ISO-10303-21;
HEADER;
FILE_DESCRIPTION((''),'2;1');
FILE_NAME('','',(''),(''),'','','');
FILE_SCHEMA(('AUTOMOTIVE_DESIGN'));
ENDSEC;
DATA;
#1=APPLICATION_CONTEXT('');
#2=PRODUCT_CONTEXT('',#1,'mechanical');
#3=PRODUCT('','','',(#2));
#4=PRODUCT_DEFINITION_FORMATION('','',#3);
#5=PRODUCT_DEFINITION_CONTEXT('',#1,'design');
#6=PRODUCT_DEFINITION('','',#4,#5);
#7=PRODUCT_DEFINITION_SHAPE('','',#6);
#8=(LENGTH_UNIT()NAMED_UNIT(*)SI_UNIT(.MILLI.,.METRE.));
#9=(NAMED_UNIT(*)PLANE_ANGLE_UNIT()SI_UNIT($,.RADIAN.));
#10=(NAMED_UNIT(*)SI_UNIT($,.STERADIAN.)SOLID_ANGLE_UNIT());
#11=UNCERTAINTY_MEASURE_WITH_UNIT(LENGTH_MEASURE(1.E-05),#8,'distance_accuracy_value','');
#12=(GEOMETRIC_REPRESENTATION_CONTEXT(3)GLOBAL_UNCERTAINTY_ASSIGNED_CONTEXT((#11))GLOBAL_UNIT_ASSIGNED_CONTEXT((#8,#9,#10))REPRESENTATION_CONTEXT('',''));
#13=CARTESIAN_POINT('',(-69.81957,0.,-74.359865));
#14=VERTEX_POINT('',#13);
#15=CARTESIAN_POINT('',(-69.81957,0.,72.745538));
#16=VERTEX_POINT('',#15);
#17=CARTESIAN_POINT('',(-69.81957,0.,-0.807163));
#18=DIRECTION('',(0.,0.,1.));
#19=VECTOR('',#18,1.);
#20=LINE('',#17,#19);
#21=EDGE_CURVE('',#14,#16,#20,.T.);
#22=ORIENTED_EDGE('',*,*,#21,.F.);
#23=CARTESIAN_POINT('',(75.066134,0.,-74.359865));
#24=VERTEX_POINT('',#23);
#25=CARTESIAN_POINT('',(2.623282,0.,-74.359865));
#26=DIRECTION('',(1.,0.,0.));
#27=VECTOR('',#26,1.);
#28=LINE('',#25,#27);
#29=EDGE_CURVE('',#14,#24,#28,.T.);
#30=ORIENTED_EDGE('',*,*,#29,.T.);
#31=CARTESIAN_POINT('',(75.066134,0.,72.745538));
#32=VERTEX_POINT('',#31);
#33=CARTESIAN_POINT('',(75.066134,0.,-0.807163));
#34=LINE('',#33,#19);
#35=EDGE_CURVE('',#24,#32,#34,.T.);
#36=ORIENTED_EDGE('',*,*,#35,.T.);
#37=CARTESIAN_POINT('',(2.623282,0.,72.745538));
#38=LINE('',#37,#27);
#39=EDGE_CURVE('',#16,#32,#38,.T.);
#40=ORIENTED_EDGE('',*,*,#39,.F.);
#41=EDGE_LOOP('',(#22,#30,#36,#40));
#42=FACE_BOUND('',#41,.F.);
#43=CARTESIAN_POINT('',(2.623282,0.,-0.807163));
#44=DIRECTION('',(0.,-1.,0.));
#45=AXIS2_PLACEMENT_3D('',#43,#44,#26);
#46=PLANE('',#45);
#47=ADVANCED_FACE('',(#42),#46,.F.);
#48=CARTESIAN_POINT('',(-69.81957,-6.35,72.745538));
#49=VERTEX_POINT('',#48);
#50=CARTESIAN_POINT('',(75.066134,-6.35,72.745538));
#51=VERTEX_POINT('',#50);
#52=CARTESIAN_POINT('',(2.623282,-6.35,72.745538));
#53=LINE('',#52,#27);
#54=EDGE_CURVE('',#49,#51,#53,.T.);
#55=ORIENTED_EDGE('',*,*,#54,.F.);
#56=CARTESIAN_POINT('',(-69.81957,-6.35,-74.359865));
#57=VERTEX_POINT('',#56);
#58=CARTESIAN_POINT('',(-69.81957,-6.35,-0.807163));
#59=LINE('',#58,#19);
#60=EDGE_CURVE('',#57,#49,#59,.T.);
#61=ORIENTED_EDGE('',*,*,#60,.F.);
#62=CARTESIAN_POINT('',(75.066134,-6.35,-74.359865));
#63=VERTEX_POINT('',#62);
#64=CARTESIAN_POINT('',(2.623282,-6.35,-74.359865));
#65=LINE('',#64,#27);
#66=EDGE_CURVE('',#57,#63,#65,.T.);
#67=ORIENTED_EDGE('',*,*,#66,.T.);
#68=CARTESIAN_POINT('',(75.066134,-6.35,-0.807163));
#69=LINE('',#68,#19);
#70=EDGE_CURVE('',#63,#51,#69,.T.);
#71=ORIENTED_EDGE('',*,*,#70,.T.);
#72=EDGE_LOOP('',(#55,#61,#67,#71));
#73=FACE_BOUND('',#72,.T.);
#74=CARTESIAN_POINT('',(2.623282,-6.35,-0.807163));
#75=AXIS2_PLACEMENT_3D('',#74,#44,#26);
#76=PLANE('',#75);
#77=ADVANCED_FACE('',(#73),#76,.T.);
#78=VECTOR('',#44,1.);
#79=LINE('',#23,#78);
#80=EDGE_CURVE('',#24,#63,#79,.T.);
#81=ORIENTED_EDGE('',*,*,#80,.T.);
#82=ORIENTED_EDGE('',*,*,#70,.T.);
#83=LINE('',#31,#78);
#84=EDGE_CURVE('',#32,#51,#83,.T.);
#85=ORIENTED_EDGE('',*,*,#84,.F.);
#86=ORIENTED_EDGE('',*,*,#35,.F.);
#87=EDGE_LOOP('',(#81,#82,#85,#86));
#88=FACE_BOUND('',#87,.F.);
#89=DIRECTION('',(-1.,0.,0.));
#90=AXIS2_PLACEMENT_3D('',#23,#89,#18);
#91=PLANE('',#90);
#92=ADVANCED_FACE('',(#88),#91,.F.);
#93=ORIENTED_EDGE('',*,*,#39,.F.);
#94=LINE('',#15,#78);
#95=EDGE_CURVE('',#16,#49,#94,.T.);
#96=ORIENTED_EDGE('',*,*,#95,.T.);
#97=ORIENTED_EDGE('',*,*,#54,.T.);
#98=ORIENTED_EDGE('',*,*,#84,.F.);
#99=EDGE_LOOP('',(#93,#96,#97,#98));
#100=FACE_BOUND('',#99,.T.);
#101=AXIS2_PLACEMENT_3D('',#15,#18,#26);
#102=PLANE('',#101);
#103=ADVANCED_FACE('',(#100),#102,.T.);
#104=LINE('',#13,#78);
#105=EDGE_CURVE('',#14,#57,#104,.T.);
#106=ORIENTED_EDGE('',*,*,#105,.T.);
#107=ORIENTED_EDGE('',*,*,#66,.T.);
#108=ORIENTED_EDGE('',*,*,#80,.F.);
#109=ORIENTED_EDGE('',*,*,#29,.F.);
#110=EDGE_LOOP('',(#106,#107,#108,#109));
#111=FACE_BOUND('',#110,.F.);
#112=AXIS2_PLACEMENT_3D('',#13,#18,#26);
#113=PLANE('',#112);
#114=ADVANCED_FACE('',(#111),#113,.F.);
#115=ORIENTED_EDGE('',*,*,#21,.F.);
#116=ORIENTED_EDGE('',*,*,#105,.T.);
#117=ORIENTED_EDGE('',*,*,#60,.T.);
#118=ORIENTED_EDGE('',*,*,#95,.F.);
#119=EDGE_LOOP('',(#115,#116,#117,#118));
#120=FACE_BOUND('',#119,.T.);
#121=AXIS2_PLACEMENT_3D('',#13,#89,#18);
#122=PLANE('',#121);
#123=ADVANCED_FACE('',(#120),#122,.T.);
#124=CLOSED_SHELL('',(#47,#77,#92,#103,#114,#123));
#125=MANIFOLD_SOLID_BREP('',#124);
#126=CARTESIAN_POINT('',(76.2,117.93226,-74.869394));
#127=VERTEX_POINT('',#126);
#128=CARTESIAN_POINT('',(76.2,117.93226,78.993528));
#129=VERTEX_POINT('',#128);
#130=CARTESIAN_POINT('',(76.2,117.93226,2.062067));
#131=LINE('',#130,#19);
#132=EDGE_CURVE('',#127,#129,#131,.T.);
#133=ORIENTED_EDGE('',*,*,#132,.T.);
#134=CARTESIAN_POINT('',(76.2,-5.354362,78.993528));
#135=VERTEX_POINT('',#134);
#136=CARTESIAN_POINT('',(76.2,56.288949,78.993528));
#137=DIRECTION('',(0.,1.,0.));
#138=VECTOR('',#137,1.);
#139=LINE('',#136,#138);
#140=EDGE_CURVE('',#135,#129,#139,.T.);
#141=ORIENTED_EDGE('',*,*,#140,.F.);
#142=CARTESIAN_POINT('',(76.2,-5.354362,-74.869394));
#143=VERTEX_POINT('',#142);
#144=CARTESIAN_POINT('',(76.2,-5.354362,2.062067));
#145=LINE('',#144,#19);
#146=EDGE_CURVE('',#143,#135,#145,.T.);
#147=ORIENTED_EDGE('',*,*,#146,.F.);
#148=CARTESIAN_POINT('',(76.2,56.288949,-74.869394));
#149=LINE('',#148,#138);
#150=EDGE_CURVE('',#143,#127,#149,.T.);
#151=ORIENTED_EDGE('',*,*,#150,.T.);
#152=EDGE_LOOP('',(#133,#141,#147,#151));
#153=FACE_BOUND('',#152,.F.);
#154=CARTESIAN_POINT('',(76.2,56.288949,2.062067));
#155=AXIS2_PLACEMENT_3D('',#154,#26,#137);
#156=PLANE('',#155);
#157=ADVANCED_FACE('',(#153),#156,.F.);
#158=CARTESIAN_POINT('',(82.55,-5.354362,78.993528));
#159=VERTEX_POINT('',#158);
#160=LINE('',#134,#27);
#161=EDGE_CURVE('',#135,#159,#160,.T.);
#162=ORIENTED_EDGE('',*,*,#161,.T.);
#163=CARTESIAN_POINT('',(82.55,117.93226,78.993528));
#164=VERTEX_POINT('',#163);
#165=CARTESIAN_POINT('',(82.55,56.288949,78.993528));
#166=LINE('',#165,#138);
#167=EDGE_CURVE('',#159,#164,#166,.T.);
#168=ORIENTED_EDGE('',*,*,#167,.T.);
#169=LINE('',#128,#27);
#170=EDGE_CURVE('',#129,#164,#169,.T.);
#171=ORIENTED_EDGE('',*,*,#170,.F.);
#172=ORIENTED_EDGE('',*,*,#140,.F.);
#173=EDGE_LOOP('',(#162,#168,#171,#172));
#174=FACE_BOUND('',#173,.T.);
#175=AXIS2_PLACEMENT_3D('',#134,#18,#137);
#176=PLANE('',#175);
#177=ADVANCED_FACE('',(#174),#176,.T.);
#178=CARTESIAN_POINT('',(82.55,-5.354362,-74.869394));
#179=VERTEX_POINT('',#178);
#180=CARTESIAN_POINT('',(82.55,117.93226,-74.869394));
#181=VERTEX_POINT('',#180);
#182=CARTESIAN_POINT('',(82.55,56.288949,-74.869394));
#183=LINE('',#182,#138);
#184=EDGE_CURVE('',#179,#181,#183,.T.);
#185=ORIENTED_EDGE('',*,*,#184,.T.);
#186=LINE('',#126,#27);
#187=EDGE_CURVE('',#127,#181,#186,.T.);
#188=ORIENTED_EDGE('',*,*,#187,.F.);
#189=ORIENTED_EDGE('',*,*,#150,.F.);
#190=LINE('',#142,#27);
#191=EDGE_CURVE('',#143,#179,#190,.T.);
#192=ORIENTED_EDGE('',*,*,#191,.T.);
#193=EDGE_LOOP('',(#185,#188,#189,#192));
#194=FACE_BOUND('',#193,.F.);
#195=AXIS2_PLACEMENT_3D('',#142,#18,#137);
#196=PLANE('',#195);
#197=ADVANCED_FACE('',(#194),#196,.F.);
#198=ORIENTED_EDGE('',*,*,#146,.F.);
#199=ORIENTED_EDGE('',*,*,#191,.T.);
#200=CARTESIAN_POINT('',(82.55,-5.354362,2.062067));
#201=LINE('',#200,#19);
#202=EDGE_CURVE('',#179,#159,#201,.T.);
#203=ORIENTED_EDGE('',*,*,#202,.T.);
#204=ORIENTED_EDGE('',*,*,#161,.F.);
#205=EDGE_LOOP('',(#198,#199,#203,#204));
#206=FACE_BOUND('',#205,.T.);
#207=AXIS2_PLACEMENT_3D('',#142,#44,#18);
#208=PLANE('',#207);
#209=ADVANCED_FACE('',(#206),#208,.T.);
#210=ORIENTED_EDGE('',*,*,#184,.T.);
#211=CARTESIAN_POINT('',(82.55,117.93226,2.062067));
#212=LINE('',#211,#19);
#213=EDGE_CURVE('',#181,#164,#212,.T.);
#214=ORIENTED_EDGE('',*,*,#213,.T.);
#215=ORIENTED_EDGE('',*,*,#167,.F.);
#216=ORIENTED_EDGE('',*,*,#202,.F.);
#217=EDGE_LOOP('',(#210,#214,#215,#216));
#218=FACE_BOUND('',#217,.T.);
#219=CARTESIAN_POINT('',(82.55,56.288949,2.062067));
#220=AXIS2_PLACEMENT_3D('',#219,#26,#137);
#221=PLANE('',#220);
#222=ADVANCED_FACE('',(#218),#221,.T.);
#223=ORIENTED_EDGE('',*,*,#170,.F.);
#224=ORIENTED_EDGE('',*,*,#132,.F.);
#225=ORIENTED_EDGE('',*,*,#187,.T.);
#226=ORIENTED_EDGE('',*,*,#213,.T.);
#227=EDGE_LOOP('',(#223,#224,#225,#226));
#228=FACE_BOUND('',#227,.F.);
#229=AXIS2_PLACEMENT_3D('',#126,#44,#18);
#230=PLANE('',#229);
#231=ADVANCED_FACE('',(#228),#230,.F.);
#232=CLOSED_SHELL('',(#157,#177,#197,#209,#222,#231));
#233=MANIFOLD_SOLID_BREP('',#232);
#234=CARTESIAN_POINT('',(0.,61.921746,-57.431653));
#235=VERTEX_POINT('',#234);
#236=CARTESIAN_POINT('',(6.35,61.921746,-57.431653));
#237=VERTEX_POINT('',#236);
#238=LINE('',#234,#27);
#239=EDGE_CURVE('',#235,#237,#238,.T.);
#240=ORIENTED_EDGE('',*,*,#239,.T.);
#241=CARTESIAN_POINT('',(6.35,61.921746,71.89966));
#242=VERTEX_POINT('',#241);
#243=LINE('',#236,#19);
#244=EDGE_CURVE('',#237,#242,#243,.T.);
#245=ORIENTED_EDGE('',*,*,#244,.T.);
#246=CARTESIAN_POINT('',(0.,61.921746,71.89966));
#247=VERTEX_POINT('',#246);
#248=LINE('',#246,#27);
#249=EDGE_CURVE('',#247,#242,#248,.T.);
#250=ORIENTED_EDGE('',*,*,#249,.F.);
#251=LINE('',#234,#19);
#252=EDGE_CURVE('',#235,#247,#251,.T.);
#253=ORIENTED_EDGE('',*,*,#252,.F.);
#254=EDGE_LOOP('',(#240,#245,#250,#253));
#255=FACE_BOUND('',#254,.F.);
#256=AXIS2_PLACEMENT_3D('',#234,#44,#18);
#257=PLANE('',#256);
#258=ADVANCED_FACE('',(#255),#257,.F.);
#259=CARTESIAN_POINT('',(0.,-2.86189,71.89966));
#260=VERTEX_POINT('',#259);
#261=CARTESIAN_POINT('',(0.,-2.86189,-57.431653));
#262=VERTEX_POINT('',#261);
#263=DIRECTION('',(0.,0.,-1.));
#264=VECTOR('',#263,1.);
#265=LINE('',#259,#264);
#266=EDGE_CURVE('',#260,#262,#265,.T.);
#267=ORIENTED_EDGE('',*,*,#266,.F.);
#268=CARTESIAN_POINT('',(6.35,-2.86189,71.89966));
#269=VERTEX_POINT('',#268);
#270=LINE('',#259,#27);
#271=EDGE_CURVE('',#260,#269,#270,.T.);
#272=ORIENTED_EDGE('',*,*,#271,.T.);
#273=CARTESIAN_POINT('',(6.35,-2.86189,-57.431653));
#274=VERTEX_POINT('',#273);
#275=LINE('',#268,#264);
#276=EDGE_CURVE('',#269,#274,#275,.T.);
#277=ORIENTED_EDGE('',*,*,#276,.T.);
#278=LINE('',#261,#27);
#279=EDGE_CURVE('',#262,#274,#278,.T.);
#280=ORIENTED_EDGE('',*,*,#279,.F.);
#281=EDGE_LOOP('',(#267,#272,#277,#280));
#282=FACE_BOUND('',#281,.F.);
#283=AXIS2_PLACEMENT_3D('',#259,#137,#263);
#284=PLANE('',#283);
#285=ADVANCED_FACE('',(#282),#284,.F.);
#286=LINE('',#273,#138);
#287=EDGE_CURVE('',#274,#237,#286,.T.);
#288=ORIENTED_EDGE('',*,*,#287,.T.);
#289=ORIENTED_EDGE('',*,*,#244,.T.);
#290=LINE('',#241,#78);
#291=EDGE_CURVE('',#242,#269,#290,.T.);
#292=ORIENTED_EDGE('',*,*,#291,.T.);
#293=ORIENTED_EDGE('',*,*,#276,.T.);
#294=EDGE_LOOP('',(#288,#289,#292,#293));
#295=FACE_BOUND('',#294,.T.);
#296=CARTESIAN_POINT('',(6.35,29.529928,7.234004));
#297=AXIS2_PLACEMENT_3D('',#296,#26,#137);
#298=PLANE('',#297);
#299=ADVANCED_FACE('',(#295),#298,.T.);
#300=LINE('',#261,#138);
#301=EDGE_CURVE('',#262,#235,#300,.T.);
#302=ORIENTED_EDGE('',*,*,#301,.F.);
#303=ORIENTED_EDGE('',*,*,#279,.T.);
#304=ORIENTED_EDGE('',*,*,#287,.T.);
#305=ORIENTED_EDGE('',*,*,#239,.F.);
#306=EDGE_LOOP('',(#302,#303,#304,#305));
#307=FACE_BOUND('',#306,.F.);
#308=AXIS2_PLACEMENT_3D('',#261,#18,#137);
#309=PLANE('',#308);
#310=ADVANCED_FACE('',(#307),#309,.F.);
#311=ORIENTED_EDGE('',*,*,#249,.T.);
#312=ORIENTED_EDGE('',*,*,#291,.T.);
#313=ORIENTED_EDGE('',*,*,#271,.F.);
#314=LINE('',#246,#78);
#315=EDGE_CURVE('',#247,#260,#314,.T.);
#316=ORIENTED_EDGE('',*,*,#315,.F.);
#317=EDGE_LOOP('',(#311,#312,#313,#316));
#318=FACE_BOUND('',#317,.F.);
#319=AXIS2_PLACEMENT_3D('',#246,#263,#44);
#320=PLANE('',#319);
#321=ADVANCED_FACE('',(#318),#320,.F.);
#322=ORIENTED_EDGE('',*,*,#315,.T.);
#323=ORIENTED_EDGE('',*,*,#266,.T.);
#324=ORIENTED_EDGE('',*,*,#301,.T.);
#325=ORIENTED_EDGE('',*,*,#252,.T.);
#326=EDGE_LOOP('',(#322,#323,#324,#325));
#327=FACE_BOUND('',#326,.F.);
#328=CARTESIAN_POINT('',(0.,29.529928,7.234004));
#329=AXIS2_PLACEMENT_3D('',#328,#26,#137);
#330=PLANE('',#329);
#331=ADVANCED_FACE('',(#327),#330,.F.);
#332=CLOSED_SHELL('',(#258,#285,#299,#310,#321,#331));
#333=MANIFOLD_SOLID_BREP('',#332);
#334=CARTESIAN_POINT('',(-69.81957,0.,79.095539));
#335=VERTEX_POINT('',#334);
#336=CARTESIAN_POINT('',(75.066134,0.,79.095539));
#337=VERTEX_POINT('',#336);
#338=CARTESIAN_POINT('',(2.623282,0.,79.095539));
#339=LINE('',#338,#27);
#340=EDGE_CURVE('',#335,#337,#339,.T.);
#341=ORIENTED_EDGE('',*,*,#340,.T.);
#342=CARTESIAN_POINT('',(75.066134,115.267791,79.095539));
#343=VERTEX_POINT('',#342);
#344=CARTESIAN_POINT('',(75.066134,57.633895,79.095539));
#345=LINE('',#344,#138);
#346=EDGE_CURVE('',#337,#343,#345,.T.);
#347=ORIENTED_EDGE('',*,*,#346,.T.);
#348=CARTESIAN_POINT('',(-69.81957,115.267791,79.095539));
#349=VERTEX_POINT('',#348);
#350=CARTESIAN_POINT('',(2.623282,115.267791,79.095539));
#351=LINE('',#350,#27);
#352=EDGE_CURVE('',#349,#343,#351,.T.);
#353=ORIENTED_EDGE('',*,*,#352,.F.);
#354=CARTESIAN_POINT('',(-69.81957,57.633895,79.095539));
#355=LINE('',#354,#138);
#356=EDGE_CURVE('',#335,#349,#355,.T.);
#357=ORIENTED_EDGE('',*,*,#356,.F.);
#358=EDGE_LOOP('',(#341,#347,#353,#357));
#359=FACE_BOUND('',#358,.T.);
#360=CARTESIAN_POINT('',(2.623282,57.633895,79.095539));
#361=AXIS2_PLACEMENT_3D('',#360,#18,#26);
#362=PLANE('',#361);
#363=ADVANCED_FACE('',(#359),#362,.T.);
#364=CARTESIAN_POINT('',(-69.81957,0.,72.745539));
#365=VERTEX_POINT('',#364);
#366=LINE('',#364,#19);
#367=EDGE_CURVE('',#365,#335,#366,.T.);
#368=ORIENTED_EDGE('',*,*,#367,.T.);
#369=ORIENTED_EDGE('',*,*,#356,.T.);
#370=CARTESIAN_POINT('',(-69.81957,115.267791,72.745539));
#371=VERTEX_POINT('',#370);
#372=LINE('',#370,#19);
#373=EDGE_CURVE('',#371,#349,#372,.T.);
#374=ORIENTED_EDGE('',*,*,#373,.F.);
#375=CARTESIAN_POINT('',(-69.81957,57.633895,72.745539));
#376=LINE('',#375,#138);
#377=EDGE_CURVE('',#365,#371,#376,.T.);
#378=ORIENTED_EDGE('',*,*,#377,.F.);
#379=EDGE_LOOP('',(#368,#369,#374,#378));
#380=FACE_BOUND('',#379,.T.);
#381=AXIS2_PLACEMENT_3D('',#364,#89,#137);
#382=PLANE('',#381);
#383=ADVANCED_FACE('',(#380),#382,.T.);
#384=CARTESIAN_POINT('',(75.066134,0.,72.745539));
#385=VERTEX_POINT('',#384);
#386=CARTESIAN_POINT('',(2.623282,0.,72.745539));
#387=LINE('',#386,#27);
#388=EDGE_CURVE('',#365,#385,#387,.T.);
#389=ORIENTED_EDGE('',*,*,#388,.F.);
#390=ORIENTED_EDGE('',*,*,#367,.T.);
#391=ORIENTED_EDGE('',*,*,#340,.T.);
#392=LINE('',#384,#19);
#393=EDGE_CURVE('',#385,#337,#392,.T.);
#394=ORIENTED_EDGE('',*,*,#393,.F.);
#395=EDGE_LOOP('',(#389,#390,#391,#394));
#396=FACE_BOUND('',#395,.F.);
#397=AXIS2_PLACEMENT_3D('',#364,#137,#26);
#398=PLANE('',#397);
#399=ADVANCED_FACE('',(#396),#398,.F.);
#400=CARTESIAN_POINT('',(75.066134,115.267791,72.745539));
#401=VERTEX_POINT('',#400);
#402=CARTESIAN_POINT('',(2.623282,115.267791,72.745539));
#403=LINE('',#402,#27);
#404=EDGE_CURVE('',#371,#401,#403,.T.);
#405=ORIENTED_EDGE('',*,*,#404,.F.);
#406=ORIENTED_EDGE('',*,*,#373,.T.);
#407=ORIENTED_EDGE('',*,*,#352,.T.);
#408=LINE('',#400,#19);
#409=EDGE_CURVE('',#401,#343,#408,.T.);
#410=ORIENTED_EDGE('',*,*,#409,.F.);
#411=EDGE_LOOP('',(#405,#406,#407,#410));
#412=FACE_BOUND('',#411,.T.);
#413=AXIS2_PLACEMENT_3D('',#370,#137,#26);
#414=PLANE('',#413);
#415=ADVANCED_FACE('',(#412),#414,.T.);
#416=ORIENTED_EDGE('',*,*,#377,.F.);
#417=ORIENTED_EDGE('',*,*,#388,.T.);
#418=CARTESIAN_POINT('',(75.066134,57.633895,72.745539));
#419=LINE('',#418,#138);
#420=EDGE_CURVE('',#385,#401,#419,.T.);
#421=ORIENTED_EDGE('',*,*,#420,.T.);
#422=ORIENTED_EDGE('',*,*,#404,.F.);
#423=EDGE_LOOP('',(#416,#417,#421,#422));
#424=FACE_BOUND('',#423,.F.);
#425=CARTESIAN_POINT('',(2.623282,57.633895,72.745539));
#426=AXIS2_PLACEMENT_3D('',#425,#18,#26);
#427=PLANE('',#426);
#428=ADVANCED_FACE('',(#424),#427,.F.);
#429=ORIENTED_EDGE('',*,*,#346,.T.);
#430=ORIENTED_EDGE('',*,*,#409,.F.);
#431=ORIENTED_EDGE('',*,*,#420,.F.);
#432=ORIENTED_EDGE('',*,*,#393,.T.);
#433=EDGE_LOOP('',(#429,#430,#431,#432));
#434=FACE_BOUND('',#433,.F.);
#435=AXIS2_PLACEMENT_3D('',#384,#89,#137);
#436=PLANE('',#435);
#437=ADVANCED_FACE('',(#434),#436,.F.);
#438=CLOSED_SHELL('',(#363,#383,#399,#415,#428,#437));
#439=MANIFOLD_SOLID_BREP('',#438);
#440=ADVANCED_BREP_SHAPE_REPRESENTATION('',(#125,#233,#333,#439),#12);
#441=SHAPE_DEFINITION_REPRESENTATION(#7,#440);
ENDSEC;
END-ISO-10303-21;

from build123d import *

# Parameters (mm, degrees)
F0_W     = 144.885704
F0_H     = 147.105403
F1_DEPTH = 6.35
F2_W     = 144.885704
F2_H     = 115.267791
F3_DEPTH = 6.35
F5_DEPTH = 6.35
F7_W     = 123.286622
F7_H     = 153.862923
F8_DEPTH = 6.35


with BuildPart() as f1:
    # F0 (on Front) → F1 (new body)
    with BuildSketch(Plane.XZ):
        with Locations((2.623282, -0.807163)):
            Rectangle(F0_W, F0_H)
    extrude(amount=F1_DEPTH)


with BuildPart() as f3:
    # F2 (on face) → F3 (new body)
    with BuildSketch(Plane.XY.offset(72.745539)):
        with Locations((2.623282, 57.633895)):
            Rectangle(F2_W, F2_H)
    extrude(amount=F3_DEPTH)


with BuildPart() as f5:
    # F4 (on Right) → F5 (new body)
    with BuildSketch(Plane.YZ):
        Polygon((-2.86189, 71.89966), (-2.86189, -57.431653), (61.921746, -57.431653), (61.921746, 11.816087), (61.921746, 71.89966), align=None)
    extrude(amount=F5_DEPTH)


with BuildPart() as f8:
    # F7 (on offset) → F8 (new body)
    with BuildSketch(Plane.YZ.offset(76.2)):
        with Locations((56.288949, 2.062067)):
            Rectangle(F7_W, F7_H)
    extrude(amount=F8_DEPTH)


solid = Compound([f1.part, f3.part, f5.part, f8.part])
